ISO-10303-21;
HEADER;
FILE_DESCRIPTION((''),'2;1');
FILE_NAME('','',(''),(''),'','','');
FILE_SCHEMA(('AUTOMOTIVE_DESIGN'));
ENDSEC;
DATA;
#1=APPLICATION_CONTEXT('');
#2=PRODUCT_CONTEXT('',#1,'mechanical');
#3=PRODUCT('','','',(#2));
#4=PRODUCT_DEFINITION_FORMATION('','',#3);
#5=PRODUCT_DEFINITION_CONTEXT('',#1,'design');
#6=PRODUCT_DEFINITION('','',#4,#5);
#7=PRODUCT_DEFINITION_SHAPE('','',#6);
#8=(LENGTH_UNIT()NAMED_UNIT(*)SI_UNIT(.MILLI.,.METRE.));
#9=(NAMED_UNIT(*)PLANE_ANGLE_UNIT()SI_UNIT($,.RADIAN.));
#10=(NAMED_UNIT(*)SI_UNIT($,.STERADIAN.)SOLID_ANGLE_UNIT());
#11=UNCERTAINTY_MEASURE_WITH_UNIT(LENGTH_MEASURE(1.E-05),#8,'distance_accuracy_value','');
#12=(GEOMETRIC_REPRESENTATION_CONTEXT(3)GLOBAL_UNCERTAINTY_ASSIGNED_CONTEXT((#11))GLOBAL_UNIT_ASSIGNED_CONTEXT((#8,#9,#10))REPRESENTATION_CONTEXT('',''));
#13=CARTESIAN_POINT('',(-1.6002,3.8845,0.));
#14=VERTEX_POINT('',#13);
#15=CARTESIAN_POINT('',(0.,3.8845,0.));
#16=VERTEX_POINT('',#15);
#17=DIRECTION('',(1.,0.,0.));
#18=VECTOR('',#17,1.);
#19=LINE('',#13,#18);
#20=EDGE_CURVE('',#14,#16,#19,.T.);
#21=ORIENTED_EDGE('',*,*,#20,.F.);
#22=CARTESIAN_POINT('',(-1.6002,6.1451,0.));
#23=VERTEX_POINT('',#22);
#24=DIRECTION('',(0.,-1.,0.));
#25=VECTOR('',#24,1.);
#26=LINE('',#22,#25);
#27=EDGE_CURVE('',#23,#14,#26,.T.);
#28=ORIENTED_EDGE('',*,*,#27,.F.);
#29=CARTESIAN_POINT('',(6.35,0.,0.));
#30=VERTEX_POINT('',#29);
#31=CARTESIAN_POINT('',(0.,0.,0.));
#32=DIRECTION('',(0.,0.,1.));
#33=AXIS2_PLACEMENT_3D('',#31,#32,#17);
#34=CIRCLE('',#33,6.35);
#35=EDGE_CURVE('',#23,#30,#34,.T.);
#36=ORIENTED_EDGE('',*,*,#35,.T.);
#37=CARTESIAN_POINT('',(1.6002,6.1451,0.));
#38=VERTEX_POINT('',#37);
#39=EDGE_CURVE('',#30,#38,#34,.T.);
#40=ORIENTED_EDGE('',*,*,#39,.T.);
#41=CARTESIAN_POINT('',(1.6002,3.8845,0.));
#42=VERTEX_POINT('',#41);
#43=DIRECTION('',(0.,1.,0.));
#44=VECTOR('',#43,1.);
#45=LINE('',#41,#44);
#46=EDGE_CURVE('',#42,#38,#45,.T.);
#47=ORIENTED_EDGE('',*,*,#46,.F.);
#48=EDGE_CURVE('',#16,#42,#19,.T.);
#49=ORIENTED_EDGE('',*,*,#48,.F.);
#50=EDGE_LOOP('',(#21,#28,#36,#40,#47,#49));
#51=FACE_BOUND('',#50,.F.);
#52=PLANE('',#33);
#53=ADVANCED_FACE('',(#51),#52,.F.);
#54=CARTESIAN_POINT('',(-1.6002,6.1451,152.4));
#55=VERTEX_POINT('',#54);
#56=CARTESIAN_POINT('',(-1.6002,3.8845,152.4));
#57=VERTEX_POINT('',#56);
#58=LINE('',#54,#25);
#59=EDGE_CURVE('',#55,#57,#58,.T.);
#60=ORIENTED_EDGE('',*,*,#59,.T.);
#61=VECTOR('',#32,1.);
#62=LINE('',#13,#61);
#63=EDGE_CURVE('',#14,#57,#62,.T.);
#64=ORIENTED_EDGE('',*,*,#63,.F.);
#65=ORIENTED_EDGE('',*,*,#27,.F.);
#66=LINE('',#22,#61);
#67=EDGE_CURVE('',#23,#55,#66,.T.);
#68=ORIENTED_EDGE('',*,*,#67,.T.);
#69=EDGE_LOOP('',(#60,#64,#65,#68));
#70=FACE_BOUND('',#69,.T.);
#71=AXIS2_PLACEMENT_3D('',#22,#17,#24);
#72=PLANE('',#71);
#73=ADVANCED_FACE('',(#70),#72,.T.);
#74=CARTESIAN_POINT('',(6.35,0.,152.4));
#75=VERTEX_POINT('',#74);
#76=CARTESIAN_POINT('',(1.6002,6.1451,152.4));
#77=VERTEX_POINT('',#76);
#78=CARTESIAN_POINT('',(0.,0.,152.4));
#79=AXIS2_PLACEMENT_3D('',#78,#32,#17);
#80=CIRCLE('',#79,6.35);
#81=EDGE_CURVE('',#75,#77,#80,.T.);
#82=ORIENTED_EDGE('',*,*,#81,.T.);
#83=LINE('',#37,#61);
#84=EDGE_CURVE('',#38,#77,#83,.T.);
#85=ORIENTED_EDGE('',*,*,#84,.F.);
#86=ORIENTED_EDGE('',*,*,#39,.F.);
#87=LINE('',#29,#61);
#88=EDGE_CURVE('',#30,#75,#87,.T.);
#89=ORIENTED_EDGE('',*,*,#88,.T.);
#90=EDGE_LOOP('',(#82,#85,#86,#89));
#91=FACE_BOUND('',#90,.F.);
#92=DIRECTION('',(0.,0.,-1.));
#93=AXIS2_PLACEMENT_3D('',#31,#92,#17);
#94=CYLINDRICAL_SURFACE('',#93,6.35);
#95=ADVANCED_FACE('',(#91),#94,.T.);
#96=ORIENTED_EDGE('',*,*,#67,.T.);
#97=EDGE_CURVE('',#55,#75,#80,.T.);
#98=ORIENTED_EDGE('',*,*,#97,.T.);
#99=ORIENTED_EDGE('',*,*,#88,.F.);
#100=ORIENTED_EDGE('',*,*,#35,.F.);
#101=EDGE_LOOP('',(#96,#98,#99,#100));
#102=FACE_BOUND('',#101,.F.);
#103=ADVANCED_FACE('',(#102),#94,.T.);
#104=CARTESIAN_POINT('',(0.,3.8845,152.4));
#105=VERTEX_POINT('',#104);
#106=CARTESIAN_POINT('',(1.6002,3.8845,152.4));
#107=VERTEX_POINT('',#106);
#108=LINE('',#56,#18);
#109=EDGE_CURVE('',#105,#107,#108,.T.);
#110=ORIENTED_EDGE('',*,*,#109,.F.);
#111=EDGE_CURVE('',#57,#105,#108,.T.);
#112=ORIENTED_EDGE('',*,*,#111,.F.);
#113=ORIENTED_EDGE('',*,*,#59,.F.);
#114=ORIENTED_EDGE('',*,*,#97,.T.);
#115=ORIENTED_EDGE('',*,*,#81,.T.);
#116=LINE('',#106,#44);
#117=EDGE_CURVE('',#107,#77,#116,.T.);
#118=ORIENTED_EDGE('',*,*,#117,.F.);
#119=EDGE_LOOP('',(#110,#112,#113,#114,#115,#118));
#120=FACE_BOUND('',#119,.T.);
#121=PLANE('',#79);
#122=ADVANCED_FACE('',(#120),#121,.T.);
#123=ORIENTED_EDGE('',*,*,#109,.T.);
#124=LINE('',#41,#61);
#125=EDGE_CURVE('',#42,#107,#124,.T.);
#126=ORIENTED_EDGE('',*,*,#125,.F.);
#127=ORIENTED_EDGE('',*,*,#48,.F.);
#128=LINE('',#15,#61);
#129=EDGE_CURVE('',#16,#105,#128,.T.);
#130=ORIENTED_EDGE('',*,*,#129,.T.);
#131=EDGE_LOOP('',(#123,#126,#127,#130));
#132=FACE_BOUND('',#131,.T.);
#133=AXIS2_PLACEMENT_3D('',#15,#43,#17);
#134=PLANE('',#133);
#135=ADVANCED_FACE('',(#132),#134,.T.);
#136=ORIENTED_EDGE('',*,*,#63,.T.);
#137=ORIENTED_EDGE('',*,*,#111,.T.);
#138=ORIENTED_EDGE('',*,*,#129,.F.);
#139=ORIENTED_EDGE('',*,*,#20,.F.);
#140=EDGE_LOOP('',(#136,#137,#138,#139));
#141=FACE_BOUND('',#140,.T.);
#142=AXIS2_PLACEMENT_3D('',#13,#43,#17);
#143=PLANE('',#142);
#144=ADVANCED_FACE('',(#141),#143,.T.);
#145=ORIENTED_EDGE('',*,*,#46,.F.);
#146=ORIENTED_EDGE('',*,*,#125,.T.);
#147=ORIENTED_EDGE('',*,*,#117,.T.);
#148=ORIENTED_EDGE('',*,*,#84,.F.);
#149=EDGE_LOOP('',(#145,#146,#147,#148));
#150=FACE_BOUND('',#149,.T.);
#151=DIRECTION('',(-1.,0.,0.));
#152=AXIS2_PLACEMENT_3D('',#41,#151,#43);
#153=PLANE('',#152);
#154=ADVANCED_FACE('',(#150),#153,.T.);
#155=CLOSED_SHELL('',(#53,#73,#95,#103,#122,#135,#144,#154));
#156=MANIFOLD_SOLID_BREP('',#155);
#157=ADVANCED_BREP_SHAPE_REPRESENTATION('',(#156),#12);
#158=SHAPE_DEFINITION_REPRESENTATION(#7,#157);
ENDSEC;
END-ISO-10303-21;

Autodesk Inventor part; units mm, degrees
ref_plane "YZ Plane" through (0, 0, 0) normal (1, 0, 0) x (0, 1, 0)
ref_plane "XZ Plane" through (0, 0, 0) normal (0, 1, 0) x (-1, 0, 0)
ref_plane "XY Plane" through (0, 0, 0) normal (0, 0, 1) x (1, 0, 0)
sketch "Sketch1" plane through (0, 0, 0) normal (0, 0, 1) x (1, 0, 0)
  circle A0 centre (0, 0) radius 6.35
  line L0 (-1.6002, 6.1451) -> (-1.6002, 3.8845)
  line L1 (-1.6002, 3.8845) -> (1.6002, 3.8845)
  line L2 (1.6002, 3.8845) -> (1.6002, 6.1451)
  line L3 (0, 0) -> (0, 7.6821)
  dimension "d0" = 12.7
  dimension "d1" = 3.2004
  dimension "d2" = 1.6002
  dimension "d3" = 2.2606
extrude "Extrusion1" add sketch "Sketch1" along normal blind 152.4 contours A0 L0 L1 L2
properties part number ".5in diameter keyed axle"
